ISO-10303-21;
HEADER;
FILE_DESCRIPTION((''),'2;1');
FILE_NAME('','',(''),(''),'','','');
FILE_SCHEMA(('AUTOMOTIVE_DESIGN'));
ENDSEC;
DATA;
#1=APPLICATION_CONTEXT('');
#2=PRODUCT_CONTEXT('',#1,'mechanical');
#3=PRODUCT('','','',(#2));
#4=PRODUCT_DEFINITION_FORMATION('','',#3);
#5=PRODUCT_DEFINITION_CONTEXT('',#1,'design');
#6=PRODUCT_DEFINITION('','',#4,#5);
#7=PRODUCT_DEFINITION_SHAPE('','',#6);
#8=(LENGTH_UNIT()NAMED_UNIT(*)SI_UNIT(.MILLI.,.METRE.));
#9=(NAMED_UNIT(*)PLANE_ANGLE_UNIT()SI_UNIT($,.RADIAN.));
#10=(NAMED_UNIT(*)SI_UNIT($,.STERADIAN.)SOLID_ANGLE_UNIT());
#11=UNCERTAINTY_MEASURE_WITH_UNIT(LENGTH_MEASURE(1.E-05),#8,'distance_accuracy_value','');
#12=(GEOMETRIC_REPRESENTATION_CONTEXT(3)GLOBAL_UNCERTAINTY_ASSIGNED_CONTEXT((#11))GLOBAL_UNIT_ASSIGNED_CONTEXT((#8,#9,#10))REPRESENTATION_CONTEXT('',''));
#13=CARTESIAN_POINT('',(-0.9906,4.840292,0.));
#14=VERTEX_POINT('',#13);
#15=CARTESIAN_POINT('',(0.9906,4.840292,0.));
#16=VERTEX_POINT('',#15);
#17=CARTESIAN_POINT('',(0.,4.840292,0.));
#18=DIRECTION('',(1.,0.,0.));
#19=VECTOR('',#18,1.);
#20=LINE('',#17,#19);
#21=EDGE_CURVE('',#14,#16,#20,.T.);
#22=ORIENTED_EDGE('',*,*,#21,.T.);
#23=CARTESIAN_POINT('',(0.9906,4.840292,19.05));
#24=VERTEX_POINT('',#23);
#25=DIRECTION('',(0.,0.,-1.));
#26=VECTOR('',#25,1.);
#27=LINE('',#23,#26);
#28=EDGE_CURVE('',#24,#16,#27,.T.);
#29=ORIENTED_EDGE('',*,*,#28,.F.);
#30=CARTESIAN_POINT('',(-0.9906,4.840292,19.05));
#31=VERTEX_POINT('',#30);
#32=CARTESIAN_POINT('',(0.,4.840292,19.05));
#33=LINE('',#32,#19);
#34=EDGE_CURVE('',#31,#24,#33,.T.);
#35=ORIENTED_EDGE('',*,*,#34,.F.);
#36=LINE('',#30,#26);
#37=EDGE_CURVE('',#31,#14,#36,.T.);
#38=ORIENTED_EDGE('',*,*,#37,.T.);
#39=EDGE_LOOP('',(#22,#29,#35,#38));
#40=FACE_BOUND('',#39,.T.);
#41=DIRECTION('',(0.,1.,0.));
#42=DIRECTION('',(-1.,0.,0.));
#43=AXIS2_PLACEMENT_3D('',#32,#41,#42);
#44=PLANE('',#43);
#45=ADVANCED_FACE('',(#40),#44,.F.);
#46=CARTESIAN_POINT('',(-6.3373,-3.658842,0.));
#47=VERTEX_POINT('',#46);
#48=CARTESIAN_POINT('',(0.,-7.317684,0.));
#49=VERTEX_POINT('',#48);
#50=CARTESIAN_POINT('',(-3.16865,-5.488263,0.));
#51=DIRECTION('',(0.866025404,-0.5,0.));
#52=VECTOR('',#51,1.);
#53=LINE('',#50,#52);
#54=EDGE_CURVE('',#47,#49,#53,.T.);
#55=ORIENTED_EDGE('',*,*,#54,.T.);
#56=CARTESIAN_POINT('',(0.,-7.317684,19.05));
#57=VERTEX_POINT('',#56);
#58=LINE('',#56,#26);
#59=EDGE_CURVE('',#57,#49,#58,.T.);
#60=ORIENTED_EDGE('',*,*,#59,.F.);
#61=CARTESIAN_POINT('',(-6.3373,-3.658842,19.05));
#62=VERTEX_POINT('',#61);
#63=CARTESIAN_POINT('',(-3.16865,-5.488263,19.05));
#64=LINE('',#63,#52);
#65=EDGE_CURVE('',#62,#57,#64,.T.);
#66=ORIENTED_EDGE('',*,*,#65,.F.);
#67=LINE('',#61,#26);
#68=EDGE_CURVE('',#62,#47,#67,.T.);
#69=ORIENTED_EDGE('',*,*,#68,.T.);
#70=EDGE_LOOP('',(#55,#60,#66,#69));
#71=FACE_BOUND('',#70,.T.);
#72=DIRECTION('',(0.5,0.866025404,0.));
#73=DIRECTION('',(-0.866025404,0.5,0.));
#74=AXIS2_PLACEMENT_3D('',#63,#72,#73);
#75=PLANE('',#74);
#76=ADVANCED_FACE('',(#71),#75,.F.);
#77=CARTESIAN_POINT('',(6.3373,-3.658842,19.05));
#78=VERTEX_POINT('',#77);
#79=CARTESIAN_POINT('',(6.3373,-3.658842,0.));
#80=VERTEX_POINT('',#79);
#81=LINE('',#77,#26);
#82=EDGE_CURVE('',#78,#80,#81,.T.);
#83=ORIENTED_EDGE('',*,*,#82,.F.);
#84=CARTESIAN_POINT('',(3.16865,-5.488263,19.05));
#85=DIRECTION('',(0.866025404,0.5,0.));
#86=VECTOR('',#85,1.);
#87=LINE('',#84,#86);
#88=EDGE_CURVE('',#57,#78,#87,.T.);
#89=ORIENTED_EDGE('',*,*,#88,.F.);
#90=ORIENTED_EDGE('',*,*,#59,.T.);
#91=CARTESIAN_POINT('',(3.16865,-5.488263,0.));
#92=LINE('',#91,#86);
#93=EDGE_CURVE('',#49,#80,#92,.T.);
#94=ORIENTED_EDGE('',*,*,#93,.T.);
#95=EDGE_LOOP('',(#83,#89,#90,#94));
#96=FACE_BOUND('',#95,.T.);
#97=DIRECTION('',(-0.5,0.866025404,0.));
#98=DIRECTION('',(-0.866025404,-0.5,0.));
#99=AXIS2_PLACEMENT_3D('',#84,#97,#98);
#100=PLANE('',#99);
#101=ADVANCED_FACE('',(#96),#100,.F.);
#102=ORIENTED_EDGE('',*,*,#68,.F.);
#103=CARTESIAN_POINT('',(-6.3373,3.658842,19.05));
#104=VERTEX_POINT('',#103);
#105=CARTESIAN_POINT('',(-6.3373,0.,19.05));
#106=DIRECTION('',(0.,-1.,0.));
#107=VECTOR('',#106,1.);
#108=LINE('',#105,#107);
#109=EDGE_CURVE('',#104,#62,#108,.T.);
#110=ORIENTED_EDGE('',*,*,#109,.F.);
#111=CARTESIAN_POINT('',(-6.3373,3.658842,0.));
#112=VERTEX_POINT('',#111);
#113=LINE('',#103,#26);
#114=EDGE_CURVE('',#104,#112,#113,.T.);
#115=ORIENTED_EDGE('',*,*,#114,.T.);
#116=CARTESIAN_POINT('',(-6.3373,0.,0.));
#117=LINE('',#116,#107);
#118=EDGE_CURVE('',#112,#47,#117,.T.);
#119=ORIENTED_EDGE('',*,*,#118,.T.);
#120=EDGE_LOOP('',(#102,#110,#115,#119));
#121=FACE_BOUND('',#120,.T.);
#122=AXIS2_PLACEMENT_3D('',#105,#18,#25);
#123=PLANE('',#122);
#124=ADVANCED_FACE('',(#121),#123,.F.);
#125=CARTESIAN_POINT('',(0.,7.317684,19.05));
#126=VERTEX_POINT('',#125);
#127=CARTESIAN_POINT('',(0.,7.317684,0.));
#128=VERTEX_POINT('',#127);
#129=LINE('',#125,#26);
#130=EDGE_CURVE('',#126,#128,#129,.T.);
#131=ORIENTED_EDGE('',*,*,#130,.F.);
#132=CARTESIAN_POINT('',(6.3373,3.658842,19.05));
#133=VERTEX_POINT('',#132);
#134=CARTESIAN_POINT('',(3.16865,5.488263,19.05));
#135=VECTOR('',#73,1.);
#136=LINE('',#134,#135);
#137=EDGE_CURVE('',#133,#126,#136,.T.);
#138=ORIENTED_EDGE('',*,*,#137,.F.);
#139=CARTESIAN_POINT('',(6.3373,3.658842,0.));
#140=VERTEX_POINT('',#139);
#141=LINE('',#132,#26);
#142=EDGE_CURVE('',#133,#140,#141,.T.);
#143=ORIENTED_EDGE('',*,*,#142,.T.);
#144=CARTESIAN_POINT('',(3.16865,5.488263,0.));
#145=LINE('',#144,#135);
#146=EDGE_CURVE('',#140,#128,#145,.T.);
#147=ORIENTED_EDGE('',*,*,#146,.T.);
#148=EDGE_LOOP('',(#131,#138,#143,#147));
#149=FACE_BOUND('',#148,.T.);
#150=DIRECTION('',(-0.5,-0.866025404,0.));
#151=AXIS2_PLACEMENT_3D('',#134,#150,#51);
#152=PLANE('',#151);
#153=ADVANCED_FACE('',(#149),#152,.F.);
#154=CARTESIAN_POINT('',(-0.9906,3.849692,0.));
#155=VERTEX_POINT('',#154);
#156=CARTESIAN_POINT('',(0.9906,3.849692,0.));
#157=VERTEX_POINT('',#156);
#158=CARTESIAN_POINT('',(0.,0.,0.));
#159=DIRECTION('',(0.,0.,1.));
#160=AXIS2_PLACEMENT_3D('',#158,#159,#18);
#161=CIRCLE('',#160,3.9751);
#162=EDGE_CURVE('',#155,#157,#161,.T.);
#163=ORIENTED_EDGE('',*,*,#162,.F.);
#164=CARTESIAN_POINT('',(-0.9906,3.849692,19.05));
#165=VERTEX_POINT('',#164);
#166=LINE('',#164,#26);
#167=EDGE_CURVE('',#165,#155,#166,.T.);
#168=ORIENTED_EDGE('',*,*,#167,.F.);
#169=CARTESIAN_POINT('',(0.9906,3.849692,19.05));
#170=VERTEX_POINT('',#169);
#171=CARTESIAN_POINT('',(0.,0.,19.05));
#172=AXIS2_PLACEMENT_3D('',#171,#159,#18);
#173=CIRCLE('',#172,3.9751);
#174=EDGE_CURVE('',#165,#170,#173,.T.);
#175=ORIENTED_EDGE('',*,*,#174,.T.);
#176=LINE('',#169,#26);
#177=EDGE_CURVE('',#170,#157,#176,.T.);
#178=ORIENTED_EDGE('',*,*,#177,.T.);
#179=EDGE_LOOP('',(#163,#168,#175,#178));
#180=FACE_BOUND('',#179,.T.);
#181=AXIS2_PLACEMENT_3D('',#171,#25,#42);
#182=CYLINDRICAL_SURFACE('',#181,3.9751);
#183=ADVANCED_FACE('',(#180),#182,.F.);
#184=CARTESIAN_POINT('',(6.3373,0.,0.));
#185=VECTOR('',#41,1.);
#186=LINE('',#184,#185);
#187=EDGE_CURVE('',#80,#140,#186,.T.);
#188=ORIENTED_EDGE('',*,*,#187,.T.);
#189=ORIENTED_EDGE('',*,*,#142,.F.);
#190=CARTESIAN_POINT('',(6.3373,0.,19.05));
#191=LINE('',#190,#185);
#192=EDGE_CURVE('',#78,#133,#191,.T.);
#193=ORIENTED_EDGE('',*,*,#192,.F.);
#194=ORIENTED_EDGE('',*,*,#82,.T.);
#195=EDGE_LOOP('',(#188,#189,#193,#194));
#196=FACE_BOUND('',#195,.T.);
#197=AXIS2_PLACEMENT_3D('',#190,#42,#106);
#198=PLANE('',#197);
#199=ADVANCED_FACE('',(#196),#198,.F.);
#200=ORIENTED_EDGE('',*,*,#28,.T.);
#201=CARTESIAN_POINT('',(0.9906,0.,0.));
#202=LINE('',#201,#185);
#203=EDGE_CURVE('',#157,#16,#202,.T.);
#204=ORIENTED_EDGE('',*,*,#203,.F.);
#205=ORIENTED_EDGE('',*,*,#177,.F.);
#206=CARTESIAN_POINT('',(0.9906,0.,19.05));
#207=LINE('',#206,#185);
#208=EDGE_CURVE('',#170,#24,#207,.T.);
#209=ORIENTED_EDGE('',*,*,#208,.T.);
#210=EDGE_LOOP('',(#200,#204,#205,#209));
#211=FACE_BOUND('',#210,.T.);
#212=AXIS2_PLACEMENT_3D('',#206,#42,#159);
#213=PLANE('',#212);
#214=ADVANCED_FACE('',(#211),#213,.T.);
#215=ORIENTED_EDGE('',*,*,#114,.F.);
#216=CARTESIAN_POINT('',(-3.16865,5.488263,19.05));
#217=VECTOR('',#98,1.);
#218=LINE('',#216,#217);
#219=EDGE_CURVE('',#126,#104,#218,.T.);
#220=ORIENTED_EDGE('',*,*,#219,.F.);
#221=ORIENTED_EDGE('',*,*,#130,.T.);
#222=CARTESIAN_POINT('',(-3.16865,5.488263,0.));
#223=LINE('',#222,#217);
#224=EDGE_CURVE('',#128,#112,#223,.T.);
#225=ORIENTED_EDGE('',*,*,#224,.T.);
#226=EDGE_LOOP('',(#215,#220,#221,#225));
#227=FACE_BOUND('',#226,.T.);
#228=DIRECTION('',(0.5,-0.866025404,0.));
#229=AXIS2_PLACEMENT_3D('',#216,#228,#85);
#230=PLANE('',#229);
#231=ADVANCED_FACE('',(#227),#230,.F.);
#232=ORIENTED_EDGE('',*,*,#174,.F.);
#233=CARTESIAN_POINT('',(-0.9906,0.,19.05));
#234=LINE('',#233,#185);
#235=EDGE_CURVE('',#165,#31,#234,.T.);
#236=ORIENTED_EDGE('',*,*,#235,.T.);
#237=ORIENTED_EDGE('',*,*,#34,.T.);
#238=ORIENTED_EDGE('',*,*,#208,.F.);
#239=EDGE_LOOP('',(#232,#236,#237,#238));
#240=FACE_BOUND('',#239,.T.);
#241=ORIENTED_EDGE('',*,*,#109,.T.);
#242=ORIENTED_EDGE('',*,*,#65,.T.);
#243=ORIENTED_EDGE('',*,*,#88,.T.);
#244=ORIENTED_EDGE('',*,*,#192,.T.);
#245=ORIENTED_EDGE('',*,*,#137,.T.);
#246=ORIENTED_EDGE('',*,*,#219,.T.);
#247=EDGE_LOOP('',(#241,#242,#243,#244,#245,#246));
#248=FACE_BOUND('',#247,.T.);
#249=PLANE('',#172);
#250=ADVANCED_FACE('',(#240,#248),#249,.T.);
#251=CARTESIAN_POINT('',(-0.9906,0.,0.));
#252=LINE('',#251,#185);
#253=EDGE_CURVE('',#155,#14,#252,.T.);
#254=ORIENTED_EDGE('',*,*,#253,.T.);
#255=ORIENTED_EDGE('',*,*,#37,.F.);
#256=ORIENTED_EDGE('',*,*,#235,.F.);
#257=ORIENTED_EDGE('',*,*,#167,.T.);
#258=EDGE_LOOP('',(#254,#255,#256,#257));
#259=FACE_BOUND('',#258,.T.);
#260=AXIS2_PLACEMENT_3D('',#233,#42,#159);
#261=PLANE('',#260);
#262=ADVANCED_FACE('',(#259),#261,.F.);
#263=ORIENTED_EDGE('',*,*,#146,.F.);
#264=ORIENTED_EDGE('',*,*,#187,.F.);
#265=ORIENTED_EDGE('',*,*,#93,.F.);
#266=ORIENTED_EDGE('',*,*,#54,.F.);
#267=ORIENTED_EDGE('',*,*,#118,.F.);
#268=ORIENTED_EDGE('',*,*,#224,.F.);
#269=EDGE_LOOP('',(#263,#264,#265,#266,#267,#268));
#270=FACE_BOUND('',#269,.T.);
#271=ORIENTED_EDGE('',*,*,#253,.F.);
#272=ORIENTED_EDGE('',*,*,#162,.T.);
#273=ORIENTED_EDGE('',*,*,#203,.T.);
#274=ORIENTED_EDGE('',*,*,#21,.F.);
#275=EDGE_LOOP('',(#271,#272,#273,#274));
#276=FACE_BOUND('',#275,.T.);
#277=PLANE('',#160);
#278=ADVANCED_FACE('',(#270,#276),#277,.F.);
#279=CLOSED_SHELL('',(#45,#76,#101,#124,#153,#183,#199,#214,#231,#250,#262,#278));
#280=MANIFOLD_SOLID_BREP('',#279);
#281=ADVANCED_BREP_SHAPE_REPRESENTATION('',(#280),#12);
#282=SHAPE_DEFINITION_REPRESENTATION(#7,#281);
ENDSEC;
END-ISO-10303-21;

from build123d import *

# Parameters (mm, degrees)
BOSS_EXTRUDE1_DEPTH = 19.05


with BuildPart() as part:
    # Sketch1 → Boss-Extrude1 (new body)
    with BuildSketch(Plane.XY):
        Polygon((6.3373, 3.658841861), (0, 7.317683722), (-6.3373, 3.658841861), (-6.3373, -3.658841861), (0, -7.317683722), (6.3373, -3.658841861), align=None)
        with BuildLine():
            ThreePointArc((3.9751, 0), (-2.435537513, -3.141588298), (-0.9906, 3.84969241))
            Line((-0.9906, 3.84969241), (-0.9906, 4.84029241))
            Line((-0.9906, 4.84029241), (0.9906, 4.84029241))
            Line((0.9906, 4.84029241), (0.9906, 3.84969241))
            ThreePointArc((0.9906, 3.84969241), (3.141588298, 2.435537513), (3.9751, 0))
        make_face(mode=Mode.SUBTRACT)
    extrude(amount=BOSS_EXTRUDE1_DEPTH)


solid = part.part
